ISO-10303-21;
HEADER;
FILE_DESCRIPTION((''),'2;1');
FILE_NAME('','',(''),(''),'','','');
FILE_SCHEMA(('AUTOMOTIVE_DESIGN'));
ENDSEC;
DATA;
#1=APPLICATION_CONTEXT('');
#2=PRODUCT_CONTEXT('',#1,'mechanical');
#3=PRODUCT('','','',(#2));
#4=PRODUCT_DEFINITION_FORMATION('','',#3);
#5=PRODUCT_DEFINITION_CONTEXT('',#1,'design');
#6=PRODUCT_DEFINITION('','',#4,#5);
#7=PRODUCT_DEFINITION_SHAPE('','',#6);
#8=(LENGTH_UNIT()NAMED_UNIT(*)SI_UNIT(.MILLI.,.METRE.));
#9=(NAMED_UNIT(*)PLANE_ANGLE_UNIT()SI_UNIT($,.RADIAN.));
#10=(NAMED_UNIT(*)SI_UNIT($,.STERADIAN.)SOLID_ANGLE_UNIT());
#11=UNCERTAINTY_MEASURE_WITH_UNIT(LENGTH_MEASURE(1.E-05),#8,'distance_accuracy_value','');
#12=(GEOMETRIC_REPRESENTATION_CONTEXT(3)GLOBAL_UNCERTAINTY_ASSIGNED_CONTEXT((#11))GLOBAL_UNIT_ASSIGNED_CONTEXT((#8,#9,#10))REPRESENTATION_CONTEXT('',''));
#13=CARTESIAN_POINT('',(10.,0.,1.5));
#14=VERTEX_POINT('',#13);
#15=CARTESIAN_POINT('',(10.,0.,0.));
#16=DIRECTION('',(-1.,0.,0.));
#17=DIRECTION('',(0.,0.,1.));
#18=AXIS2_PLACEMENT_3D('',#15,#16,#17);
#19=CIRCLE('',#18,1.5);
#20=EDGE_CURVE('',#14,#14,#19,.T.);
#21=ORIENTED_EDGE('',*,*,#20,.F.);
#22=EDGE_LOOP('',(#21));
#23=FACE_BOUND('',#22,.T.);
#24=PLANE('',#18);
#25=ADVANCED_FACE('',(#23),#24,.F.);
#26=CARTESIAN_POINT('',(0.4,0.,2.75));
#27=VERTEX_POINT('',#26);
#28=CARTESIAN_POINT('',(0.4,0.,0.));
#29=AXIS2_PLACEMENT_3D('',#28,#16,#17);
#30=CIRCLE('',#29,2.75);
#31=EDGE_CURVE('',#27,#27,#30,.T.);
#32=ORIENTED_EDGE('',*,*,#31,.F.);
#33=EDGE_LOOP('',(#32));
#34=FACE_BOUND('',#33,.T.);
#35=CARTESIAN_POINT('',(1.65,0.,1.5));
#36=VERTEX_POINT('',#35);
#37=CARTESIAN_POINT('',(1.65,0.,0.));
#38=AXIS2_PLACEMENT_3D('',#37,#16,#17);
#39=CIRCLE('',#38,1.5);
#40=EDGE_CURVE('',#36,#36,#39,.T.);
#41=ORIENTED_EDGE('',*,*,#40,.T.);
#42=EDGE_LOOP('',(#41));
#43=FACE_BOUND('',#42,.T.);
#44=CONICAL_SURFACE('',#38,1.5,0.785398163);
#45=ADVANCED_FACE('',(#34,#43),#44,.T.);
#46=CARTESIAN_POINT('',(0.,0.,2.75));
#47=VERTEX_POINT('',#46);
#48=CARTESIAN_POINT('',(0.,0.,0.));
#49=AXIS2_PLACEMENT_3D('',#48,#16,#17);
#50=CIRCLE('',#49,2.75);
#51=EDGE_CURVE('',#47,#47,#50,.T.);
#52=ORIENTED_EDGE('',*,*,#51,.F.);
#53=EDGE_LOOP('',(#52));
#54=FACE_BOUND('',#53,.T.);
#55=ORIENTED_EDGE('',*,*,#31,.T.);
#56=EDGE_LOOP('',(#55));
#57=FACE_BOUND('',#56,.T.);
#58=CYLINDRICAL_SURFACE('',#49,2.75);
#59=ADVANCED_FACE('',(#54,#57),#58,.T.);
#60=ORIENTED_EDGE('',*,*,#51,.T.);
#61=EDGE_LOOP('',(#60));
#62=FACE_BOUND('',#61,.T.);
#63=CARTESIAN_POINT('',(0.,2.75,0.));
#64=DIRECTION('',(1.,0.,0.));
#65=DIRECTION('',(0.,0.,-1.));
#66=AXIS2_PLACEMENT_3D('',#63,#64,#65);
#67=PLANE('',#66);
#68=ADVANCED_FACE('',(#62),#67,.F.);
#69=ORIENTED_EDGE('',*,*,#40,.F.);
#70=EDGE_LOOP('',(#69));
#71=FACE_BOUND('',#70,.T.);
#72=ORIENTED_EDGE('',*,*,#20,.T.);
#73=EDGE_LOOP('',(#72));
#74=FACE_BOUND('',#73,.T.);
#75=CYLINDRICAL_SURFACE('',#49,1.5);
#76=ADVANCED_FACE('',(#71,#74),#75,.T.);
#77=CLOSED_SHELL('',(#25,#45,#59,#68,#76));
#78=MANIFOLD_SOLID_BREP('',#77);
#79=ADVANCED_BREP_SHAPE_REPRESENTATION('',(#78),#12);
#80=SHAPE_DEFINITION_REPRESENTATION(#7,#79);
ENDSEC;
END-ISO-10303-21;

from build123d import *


with BuildPart() as part:
    # Esquisse1 → Révolution1 (revolve)
    with BuildSketch(Plane.XY, mode=Mode.PRIVATE) as r_volution1_sk:
        Polygon((0, 0), (10, 0), (10, 1.5), (1.65, 1.5), (0.4, 2.75), (0, 2.75), align=None)
    revolve(r_volution1_sk.sketch.rotate(Axis((0, 0, 0), (1, 0, 0)), 90), axis=Axis((0, 0, 0), (1, 0, 0)))


solid = part.part
